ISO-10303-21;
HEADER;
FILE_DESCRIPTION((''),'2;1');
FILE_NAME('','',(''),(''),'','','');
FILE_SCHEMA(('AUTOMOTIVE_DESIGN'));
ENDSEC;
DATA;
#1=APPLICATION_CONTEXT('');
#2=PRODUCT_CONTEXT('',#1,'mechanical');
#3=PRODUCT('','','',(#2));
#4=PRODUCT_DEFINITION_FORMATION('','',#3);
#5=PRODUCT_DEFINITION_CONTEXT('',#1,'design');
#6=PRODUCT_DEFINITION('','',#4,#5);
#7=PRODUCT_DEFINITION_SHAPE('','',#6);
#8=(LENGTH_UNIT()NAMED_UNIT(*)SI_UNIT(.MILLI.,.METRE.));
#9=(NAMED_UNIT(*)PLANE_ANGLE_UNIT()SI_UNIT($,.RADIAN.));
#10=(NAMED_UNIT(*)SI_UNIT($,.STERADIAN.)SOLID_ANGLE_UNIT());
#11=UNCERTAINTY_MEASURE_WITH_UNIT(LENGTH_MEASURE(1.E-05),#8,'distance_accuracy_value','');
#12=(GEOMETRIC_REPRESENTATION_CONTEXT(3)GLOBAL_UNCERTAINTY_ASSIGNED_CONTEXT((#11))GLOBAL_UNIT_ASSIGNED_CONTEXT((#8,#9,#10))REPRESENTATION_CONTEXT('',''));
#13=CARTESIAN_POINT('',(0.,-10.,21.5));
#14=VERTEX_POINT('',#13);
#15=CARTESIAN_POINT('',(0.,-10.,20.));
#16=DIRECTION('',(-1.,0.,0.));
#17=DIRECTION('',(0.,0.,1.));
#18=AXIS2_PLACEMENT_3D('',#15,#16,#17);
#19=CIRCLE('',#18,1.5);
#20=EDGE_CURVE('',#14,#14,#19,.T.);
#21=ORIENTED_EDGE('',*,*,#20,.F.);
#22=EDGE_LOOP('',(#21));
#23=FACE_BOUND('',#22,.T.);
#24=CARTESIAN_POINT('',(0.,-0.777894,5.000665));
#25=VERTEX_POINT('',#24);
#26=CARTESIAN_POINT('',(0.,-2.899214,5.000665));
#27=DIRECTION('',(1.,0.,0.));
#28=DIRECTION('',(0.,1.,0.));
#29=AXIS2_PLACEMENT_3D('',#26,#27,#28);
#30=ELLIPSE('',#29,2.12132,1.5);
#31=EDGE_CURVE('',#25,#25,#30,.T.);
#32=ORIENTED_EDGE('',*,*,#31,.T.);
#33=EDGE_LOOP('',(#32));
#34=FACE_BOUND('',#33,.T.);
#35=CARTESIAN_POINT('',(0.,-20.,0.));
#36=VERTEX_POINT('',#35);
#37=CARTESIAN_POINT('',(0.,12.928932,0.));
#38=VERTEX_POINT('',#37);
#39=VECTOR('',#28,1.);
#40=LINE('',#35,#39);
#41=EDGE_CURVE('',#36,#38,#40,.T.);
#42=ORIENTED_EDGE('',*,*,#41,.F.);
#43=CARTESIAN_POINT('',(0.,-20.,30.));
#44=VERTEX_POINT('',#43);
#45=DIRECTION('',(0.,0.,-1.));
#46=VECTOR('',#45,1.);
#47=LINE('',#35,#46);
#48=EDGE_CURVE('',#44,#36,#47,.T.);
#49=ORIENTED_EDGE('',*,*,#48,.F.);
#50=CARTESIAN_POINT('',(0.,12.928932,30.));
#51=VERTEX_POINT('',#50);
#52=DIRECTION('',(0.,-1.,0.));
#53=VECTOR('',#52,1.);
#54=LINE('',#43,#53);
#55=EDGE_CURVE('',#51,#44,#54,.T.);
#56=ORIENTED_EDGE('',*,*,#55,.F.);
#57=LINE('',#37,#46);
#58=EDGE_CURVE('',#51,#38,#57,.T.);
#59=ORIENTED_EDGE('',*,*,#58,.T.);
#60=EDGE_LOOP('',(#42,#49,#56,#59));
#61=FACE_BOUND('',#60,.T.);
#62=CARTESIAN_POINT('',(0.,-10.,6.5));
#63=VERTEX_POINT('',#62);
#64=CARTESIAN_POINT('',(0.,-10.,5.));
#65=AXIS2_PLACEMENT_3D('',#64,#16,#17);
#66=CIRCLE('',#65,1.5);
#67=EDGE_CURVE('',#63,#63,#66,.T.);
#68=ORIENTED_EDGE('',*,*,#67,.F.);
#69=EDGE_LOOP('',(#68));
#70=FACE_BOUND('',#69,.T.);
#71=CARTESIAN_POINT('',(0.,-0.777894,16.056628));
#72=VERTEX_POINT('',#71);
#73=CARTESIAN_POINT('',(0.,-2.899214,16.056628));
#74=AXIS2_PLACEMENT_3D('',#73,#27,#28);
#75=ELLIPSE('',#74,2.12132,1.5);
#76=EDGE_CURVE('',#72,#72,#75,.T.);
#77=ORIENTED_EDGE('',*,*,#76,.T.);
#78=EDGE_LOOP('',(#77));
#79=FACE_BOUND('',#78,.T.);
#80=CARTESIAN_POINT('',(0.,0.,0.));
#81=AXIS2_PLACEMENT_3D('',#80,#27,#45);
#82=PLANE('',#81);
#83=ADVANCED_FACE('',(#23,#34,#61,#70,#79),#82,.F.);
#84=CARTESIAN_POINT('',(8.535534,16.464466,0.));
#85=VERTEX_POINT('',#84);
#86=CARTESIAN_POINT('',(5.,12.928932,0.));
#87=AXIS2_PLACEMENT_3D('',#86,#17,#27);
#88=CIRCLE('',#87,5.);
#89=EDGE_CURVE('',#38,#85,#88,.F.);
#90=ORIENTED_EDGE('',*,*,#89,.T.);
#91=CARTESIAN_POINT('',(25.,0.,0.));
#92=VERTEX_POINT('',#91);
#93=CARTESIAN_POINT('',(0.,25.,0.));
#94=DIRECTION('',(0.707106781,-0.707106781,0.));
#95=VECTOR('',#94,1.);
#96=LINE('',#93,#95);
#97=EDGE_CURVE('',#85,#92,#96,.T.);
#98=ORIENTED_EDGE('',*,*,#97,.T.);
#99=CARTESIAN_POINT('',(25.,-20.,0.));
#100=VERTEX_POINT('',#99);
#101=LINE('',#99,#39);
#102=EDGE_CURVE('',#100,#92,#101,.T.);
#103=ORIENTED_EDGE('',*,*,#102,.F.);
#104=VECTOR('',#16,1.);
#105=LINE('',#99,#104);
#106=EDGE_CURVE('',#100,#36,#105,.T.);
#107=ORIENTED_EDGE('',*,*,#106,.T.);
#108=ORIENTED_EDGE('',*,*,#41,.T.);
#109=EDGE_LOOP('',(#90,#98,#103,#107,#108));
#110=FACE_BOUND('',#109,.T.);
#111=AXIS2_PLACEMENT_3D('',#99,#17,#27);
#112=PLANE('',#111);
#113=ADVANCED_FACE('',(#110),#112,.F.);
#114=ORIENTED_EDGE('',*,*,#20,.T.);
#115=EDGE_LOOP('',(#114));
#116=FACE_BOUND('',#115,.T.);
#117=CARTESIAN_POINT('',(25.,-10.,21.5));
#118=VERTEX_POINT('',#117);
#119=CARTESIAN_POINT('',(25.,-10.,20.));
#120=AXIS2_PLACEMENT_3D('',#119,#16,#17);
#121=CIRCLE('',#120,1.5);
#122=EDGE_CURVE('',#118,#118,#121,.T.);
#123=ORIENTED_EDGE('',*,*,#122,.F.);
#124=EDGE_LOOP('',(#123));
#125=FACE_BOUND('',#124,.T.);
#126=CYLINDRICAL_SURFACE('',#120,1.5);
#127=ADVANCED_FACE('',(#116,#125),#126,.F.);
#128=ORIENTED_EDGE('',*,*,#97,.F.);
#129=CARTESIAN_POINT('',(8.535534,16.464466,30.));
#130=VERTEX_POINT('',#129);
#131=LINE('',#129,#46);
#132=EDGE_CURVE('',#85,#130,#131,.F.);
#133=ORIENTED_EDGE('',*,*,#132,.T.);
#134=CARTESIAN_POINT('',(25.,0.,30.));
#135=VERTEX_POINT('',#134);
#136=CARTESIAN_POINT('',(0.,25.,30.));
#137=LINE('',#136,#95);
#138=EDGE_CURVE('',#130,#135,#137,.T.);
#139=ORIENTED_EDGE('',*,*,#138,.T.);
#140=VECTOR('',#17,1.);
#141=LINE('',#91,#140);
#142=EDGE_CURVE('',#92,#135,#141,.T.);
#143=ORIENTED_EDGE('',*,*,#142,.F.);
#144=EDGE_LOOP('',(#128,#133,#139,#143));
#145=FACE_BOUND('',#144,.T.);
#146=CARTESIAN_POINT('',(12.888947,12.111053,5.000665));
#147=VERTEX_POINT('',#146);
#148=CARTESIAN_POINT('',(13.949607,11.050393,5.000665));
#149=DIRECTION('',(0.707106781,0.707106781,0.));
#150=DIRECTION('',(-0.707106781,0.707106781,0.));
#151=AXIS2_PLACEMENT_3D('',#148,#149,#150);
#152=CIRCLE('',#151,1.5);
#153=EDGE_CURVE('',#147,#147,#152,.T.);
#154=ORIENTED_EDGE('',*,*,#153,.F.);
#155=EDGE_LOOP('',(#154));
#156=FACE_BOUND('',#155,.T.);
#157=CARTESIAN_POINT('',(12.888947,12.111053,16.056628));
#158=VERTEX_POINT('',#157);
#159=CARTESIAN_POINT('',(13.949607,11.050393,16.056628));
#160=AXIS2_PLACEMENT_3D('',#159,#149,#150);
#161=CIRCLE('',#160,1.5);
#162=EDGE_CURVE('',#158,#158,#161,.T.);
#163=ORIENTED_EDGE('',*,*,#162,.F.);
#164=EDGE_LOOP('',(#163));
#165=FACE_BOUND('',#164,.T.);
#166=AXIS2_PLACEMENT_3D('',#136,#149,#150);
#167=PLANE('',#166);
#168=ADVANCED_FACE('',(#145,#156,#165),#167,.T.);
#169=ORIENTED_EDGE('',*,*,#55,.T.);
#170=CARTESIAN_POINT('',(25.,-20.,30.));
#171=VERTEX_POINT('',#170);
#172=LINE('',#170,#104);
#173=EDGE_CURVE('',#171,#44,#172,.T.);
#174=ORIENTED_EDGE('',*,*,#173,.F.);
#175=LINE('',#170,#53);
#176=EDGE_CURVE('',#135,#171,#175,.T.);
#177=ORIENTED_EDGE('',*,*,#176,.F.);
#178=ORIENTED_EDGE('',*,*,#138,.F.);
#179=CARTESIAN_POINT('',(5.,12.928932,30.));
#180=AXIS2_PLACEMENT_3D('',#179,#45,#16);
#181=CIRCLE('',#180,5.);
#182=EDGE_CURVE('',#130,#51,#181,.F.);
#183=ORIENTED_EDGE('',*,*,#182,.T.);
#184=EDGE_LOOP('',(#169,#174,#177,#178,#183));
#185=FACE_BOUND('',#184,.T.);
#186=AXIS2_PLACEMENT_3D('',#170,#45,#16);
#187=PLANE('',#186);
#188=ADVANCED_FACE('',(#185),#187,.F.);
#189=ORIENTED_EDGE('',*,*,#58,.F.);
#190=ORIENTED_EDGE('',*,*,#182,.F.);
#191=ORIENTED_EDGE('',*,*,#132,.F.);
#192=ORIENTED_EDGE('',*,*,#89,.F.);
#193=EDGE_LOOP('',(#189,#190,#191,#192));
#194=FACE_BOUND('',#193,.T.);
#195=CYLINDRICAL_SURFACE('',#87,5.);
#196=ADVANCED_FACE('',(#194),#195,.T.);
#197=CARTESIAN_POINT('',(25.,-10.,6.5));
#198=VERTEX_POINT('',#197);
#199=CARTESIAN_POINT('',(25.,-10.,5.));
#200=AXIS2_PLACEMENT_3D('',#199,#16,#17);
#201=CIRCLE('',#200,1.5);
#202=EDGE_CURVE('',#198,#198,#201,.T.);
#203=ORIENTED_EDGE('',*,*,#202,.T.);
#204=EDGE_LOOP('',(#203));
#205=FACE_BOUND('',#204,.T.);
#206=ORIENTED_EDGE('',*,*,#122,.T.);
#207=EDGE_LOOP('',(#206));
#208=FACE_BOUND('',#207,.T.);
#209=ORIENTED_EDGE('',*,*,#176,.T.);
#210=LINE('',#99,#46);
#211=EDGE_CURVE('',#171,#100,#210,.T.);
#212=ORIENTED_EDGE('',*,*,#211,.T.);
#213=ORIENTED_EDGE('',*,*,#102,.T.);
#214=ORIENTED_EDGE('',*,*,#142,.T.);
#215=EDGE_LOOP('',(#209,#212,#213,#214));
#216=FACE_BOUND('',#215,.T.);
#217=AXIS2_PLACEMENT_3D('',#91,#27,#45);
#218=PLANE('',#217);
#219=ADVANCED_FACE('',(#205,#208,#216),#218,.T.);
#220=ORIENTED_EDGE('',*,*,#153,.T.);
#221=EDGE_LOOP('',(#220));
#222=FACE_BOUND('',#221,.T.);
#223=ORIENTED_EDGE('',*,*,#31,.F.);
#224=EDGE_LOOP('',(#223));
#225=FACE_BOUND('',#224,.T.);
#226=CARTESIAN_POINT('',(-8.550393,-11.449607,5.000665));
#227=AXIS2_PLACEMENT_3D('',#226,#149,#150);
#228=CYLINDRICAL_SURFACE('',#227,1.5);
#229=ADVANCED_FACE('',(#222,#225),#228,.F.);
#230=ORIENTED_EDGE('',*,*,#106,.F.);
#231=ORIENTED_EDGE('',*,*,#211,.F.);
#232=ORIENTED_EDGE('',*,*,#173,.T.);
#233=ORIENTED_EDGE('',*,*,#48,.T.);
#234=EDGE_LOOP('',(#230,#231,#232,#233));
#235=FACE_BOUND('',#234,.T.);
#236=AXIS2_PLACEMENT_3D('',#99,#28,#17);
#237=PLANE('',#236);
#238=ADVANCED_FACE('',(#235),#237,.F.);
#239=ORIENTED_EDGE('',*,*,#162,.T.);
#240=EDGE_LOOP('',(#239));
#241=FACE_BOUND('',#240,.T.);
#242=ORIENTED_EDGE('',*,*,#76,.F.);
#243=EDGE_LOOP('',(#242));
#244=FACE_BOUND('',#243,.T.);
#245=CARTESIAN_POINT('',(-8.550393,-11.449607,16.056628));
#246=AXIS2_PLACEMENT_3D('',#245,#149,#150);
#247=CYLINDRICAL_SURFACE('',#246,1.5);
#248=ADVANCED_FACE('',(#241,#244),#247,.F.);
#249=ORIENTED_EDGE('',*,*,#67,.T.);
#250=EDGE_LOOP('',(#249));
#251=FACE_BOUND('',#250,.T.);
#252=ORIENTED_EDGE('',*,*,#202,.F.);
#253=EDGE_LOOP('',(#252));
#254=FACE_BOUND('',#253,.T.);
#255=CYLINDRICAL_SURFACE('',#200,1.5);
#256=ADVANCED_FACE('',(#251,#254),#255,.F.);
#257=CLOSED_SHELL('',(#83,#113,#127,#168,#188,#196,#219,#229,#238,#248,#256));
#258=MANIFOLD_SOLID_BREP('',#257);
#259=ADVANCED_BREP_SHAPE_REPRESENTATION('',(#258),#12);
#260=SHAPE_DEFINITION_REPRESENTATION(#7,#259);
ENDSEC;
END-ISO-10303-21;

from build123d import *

# Parameters (mm, degrees)
CROQUIS2_W              = 30
CROQUIS2_H              = 20
SALIENTE_EXTRUIR2_DEPTH = 25
SALIENTE_EXTRUIR3_DEPTH = 30
REDONDEO1_R             = 5
CROQUIS8_R              = 1.5
CORTAR_EXTRUIR5_DEPTH   = 26
CROQUIS9_R              = 1.5
CORTAR_EXTRUIR6_DEPTH   = 32.819805153


with BuildPart() as part:
    # Croquis2 → Saliente-Extruir2 (new body)
    with BuildSketch(Plane(origin=(0, 0, 0), x_dir=(0, 0, -1), z_dir=(1, 0, 0))):
        with Locations((-15, -10)):
            Rectangle(CROQUIS2_W, CROQUIS2_H)
    extrude(amount=SALIENTE_EXTRUIR2_DEPTH)

    # Croquis3 → Saliente-Extruir3 (add, through all)
    with BuildSketch(Plane(origin=(0, 0, 0), x_dir=(-1, 0, 0), z_dir=(0, 0, -1))):
        Polygon((0, 0), (0, 25), (-25, 0), align=None)
    extrude(amount=-SALIENTE_EXTRUIR3_DEPTH)

    # Redondeo1
    redondeo1_edges = [part.edges().sort_by_distance(p)[0] for p in [
        (0, 25, 15),
    ]]
    fillet(redondeo1_edges, radius=REDONDEO1_R)

    # Croquis8 → Cortar-Extruir5 (cut, through all)
    with BuildSketch(Plane.ZY):
        with Locations((20, -10)):
            Circle(CROQUIS8_R)
        with Locations((5, -10)):
            Circle(CROQUIS8_R)
    extrude(amount=-CORTAR_EXTRUIR5_DEPTH, mode=Mode.SUBTRACT)

    # Croquis9 → Cortar-Extruir6 (cut, through all)
    with BuildSketch(Plane(origin=(12.5, 12.5, 0), x_dir=(0, 0, -1), z_dir=(0.707106781, 0.707106781, 0))):
        with Locations((-16.056627864, -2.050053866)):
            Circle(CROQUIS9_R)
        with Locations((-5.000664805, -2.050053866)):
            Circle(CROQUIS9_R)
    extrude(amount=-CORTAR_EXTRUIR6_DEPTH, mode=Mode.SUBTRACT)


solid = part.part
